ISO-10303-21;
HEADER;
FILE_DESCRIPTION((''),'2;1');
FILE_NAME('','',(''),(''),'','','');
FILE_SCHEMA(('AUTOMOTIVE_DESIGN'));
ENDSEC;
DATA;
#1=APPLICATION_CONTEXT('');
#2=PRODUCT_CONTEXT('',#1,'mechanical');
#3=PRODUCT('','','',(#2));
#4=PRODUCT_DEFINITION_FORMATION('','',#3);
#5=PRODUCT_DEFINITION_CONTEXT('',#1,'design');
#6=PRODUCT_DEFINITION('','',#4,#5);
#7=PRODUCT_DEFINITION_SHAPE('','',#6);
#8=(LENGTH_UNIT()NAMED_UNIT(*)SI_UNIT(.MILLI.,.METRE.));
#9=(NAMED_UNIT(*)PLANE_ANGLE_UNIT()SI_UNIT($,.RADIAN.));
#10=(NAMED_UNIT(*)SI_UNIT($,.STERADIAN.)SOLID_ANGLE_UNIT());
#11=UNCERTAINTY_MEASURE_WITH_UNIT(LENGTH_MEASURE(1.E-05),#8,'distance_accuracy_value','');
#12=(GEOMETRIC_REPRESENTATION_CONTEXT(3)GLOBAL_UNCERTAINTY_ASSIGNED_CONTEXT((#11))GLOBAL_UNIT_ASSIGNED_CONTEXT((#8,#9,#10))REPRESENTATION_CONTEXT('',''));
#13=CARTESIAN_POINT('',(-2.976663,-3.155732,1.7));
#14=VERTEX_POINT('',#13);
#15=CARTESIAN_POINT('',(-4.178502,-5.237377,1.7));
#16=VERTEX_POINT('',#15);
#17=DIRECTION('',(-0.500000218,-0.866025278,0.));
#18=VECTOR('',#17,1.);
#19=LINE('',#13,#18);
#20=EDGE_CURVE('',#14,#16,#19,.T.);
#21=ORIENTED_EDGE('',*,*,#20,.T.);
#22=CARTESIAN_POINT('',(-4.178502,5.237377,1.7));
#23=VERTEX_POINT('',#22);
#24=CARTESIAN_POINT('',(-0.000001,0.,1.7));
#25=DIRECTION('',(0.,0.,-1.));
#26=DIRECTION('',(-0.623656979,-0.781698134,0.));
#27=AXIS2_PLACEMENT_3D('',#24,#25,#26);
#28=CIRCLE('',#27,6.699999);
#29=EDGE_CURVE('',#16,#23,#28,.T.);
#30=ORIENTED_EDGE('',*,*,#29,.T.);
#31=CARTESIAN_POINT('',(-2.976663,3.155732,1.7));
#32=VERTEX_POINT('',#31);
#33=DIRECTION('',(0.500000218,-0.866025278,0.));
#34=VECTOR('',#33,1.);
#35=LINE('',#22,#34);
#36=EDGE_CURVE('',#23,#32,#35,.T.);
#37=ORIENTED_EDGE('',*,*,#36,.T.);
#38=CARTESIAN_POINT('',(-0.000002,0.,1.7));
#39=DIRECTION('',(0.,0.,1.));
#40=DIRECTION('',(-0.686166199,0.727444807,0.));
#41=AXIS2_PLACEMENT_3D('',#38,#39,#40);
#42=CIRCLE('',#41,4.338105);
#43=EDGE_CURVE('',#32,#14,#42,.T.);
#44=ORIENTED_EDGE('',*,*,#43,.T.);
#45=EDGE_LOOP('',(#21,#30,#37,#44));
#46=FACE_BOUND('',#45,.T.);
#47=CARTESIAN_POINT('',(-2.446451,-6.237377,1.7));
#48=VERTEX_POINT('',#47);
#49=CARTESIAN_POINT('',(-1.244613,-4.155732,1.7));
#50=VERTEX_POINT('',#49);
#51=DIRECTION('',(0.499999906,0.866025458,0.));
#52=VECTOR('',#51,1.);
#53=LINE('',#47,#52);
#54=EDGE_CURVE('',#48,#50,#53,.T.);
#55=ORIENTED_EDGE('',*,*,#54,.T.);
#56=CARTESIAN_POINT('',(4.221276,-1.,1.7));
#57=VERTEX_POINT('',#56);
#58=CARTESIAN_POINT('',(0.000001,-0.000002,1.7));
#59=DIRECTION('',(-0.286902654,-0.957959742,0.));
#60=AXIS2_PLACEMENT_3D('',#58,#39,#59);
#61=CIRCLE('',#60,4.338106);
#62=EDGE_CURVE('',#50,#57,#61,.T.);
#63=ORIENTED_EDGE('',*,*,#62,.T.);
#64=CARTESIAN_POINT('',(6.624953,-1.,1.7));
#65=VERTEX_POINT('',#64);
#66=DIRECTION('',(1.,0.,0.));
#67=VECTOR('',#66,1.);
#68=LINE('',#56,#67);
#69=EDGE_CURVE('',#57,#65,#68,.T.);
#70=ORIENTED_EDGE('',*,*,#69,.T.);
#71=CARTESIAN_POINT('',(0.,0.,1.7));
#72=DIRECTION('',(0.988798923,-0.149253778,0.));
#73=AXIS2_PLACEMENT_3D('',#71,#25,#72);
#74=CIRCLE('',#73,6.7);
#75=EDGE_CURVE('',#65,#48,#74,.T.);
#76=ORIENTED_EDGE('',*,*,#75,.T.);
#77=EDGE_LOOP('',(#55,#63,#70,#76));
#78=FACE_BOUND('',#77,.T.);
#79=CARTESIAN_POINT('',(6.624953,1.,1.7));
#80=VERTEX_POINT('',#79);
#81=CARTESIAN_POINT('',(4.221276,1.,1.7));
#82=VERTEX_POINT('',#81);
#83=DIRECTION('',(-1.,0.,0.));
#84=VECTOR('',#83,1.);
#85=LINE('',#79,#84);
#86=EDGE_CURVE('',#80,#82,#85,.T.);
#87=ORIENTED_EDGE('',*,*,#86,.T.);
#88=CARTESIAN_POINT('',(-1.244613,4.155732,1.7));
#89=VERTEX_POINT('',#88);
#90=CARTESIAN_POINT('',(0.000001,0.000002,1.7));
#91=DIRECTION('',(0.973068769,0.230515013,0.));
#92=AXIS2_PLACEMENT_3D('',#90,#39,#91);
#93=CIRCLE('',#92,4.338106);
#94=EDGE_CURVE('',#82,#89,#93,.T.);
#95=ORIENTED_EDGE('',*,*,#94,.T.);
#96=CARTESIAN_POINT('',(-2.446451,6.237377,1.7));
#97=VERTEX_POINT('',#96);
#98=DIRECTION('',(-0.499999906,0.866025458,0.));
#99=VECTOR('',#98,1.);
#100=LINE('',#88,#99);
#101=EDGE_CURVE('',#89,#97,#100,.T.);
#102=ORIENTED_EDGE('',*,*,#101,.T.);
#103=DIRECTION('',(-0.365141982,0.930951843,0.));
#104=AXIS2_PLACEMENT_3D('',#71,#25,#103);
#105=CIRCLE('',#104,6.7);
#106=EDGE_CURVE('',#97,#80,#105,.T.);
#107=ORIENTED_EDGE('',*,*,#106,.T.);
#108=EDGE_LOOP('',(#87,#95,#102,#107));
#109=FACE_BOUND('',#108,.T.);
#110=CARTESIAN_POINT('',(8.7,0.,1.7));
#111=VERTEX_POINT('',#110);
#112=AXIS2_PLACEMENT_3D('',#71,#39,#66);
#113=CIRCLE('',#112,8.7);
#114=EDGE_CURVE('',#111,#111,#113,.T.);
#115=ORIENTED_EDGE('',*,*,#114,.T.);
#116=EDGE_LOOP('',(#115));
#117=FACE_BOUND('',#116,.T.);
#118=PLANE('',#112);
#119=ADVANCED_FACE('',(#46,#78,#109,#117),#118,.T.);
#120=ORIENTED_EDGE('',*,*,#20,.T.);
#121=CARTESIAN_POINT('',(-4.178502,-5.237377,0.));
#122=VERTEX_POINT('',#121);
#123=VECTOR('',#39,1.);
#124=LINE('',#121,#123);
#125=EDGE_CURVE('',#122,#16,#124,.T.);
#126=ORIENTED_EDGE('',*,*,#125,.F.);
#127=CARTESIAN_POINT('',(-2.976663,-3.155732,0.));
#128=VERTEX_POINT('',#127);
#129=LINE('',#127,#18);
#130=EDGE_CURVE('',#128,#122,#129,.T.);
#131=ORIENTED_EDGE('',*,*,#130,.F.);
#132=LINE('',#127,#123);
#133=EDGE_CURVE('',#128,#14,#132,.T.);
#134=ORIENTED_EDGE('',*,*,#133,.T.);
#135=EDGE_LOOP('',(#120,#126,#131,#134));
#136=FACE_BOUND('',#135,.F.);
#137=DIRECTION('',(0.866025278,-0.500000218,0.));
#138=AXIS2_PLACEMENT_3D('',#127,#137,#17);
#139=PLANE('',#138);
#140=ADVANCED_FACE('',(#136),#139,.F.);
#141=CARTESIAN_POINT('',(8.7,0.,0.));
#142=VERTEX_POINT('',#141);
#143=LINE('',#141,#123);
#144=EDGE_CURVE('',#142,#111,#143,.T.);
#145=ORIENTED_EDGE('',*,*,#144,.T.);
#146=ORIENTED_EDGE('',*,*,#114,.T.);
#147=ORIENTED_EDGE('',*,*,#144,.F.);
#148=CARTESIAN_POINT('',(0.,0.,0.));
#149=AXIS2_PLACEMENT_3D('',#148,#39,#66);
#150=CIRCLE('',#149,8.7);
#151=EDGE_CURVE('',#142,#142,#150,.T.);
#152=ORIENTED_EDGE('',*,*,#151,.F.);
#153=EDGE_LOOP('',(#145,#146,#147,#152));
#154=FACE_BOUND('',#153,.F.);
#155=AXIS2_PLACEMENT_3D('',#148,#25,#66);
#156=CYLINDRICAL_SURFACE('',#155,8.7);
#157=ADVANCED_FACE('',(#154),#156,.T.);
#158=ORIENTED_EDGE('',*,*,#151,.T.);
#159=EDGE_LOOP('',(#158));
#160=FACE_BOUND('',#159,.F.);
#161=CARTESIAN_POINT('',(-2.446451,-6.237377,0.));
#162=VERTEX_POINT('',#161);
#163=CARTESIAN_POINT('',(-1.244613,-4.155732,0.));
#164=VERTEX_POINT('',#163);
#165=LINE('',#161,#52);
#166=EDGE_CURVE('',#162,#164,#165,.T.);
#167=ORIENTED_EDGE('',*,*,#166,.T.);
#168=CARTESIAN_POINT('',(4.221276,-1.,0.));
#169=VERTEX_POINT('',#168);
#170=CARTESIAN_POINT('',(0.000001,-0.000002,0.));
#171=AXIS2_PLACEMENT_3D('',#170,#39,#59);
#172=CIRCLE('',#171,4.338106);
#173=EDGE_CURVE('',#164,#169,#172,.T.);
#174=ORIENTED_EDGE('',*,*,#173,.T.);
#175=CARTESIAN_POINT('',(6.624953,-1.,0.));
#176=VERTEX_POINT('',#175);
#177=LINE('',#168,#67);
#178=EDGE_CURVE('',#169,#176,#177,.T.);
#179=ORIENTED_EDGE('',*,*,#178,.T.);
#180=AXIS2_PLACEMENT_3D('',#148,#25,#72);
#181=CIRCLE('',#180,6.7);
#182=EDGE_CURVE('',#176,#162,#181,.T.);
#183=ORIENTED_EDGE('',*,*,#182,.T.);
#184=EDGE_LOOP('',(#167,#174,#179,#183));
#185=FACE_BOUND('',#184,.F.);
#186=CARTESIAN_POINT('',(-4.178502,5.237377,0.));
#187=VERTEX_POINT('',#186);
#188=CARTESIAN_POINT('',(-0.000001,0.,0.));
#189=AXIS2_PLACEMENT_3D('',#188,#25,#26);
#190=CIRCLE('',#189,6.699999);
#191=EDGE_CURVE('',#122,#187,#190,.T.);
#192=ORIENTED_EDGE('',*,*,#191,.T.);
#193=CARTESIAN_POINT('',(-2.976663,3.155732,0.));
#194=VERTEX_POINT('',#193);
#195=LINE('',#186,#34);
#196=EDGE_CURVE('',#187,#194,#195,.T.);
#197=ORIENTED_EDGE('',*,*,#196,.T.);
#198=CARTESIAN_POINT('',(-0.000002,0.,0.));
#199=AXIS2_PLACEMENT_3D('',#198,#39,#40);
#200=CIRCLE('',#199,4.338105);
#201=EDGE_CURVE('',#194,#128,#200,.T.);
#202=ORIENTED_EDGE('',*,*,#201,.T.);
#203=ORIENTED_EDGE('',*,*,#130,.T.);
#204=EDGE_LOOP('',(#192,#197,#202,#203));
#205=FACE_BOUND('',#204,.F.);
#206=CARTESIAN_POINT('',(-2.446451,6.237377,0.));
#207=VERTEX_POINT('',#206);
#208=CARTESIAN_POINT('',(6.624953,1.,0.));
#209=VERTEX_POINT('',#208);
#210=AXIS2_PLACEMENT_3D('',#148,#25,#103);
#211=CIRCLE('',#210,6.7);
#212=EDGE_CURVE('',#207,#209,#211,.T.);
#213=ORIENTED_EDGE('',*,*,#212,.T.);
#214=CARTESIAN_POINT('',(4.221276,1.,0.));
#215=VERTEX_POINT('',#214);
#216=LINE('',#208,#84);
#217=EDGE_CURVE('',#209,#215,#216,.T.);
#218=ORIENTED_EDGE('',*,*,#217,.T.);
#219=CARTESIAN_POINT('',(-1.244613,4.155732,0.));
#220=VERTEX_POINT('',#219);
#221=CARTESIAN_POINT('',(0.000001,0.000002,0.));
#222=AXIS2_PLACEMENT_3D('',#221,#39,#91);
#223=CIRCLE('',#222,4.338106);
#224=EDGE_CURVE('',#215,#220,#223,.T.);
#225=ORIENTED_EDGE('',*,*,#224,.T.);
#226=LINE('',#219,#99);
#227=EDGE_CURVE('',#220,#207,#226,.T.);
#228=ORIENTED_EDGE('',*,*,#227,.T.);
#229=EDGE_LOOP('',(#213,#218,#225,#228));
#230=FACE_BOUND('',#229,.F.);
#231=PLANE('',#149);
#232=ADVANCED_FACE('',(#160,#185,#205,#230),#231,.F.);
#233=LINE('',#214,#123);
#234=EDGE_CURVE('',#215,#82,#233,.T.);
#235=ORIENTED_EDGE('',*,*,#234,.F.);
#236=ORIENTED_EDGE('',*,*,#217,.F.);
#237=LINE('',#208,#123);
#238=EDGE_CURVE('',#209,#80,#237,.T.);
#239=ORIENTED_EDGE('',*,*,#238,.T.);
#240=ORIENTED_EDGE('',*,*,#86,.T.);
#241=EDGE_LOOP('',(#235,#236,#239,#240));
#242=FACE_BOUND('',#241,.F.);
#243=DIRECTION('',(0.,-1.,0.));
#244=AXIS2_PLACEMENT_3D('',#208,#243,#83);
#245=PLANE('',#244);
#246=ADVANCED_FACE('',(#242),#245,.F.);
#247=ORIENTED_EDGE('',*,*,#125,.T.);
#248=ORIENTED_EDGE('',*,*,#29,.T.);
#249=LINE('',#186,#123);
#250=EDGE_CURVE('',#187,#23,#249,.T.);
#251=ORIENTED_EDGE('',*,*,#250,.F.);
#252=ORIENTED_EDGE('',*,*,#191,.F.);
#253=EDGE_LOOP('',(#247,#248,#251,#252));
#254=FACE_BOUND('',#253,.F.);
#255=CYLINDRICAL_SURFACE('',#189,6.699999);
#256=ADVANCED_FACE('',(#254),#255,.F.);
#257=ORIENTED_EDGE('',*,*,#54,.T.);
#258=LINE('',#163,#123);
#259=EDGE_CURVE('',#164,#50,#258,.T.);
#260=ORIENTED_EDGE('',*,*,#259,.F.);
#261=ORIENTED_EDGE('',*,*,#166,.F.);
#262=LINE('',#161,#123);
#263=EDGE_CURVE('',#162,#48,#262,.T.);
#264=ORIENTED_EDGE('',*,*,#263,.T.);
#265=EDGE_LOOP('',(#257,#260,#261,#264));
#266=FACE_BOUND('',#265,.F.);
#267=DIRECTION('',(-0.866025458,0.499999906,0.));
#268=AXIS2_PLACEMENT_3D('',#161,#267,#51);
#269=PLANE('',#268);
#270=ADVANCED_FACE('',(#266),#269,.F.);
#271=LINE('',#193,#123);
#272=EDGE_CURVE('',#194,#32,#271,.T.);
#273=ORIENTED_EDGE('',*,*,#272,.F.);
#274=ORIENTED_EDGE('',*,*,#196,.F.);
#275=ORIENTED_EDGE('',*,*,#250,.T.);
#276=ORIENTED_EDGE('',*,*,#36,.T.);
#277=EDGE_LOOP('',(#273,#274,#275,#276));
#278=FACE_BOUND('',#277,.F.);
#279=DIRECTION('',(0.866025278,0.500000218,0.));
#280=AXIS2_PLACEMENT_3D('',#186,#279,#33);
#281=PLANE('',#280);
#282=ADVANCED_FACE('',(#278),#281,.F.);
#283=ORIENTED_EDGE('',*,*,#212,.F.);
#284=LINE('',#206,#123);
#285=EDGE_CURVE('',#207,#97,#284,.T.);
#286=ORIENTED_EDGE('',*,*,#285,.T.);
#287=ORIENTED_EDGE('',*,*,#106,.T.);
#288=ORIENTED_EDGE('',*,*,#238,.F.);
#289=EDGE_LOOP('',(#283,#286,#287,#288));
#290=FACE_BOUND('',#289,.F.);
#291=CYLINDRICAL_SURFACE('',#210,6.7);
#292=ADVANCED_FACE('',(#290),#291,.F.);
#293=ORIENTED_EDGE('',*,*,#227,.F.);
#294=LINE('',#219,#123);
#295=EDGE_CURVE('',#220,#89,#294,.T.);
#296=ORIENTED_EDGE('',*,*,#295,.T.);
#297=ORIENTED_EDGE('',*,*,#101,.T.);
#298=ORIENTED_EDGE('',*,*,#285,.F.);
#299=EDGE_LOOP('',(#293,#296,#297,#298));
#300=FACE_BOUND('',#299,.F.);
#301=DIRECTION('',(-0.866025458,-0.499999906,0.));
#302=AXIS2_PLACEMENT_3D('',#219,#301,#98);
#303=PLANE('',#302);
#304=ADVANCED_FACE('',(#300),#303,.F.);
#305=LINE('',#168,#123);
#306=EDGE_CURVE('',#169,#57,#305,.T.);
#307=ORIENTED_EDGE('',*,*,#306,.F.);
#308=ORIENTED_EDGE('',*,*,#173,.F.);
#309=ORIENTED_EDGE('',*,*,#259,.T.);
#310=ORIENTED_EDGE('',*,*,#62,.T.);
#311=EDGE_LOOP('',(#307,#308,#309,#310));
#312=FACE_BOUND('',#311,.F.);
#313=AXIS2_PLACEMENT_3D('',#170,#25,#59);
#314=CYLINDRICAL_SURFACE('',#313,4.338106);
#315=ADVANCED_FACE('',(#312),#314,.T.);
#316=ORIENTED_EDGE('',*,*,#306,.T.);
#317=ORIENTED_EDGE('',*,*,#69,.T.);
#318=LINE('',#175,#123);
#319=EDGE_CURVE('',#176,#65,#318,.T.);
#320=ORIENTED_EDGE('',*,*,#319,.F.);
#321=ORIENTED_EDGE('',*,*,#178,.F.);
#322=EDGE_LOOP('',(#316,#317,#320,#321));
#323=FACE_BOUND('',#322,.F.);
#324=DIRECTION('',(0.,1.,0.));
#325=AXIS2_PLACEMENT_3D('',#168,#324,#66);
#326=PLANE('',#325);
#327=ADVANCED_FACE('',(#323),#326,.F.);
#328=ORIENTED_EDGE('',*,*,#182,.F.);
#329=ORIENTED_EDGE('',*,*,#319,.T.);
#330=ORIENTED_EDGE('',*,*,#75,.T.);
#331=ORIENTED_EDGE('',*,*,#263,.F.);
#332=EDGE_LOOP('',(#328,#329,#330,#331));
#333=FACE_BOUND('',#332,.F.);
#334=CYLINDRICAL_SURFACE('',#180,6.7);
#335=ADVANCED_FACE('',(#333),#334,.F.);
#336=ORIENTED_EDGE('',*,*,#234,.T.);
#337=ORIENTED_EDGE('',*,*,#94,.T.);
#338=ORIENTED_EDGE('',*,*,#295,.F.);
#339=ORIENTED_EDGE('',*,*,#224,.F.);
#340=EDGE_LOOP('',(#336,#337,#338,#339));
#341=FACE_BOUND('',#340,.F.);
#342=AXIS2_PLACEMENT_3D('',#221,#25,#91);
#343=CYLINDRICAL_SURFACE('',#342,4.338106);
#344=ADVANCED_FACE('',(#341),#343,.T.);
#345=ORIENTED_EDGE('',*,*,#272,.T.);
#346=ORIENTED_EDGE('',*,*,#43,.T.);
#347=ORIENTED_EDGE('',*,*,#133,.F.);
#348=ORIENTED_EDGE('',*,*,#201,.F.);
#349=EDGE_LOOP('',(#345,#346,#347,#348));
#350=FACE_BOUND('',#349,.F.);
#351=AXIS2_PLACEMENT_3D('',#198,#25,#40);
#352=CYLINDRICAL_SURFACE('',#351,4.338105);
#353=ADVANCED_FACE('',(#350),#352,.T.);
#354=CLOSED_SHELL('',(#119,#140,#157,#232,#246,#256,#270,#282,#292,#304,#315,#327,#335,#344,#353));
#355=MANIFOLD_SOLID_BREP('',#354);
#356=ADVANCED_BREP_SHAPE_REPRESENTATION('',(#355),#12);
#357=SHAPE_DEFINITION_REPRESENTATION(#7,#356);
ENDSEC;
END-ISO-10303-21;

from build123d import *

# Parameters (mm, degrees)
F0_R     = 8.7
F1_DEPTH = 1.7


with BuildPart() as f1:
    # F0 (on Top) → F1 (new body)
    with BuildSketch(Plane.XY):
        Circle(F0_R)
        with BuildLine():
            Line((-4.178502, 5.237377), (-2.976663, 3.155732))
            ThreePointArc((-2.976663, 3.155732), (-4.338107, 0), (-2.976663, -3.155732))
            Line((-2.976663, -3.155732), (-4.178502, -5.237377))
            ThreePointArc((-4.178502, -5.237377), (-6.7, 0), (-4.178502, 5.237377))
        make_face(mode=Mode.SUBTRACT)
        with BuildLine():
            ThreePointArc((-1.244613, -4.155732), (2.169054, -3.756911), (4.221276, -1))
            Line((4.221276, -1), (6.624953, -1))
            ThreePointArc((6.624953, -1), (3.35, -5.80237), (-2.446451, -6.237377))
            Line((-2.446451, -6.237377), (-1.244613, -4.155732))
        make_face(mode=Mode.SUBTRACT)
        with BuildLine():
            Line((6.624953, 1), (4.221276, 1))
            ThreePointArc((4.221276, 1), (2.169054, 3.756911), (-1.244613, 4.155732))
            Line((-1.244613, 4.155732), (-2.446451, 6.237377))
            ThreePointArc((-2.446451, 6.237377), (3.35, 5.80237), (6.624953, 1))
        make_face(mode=Mode.SUBTRACT)
    extrude(amount=F1_DEPTH)


solid = f1.part
